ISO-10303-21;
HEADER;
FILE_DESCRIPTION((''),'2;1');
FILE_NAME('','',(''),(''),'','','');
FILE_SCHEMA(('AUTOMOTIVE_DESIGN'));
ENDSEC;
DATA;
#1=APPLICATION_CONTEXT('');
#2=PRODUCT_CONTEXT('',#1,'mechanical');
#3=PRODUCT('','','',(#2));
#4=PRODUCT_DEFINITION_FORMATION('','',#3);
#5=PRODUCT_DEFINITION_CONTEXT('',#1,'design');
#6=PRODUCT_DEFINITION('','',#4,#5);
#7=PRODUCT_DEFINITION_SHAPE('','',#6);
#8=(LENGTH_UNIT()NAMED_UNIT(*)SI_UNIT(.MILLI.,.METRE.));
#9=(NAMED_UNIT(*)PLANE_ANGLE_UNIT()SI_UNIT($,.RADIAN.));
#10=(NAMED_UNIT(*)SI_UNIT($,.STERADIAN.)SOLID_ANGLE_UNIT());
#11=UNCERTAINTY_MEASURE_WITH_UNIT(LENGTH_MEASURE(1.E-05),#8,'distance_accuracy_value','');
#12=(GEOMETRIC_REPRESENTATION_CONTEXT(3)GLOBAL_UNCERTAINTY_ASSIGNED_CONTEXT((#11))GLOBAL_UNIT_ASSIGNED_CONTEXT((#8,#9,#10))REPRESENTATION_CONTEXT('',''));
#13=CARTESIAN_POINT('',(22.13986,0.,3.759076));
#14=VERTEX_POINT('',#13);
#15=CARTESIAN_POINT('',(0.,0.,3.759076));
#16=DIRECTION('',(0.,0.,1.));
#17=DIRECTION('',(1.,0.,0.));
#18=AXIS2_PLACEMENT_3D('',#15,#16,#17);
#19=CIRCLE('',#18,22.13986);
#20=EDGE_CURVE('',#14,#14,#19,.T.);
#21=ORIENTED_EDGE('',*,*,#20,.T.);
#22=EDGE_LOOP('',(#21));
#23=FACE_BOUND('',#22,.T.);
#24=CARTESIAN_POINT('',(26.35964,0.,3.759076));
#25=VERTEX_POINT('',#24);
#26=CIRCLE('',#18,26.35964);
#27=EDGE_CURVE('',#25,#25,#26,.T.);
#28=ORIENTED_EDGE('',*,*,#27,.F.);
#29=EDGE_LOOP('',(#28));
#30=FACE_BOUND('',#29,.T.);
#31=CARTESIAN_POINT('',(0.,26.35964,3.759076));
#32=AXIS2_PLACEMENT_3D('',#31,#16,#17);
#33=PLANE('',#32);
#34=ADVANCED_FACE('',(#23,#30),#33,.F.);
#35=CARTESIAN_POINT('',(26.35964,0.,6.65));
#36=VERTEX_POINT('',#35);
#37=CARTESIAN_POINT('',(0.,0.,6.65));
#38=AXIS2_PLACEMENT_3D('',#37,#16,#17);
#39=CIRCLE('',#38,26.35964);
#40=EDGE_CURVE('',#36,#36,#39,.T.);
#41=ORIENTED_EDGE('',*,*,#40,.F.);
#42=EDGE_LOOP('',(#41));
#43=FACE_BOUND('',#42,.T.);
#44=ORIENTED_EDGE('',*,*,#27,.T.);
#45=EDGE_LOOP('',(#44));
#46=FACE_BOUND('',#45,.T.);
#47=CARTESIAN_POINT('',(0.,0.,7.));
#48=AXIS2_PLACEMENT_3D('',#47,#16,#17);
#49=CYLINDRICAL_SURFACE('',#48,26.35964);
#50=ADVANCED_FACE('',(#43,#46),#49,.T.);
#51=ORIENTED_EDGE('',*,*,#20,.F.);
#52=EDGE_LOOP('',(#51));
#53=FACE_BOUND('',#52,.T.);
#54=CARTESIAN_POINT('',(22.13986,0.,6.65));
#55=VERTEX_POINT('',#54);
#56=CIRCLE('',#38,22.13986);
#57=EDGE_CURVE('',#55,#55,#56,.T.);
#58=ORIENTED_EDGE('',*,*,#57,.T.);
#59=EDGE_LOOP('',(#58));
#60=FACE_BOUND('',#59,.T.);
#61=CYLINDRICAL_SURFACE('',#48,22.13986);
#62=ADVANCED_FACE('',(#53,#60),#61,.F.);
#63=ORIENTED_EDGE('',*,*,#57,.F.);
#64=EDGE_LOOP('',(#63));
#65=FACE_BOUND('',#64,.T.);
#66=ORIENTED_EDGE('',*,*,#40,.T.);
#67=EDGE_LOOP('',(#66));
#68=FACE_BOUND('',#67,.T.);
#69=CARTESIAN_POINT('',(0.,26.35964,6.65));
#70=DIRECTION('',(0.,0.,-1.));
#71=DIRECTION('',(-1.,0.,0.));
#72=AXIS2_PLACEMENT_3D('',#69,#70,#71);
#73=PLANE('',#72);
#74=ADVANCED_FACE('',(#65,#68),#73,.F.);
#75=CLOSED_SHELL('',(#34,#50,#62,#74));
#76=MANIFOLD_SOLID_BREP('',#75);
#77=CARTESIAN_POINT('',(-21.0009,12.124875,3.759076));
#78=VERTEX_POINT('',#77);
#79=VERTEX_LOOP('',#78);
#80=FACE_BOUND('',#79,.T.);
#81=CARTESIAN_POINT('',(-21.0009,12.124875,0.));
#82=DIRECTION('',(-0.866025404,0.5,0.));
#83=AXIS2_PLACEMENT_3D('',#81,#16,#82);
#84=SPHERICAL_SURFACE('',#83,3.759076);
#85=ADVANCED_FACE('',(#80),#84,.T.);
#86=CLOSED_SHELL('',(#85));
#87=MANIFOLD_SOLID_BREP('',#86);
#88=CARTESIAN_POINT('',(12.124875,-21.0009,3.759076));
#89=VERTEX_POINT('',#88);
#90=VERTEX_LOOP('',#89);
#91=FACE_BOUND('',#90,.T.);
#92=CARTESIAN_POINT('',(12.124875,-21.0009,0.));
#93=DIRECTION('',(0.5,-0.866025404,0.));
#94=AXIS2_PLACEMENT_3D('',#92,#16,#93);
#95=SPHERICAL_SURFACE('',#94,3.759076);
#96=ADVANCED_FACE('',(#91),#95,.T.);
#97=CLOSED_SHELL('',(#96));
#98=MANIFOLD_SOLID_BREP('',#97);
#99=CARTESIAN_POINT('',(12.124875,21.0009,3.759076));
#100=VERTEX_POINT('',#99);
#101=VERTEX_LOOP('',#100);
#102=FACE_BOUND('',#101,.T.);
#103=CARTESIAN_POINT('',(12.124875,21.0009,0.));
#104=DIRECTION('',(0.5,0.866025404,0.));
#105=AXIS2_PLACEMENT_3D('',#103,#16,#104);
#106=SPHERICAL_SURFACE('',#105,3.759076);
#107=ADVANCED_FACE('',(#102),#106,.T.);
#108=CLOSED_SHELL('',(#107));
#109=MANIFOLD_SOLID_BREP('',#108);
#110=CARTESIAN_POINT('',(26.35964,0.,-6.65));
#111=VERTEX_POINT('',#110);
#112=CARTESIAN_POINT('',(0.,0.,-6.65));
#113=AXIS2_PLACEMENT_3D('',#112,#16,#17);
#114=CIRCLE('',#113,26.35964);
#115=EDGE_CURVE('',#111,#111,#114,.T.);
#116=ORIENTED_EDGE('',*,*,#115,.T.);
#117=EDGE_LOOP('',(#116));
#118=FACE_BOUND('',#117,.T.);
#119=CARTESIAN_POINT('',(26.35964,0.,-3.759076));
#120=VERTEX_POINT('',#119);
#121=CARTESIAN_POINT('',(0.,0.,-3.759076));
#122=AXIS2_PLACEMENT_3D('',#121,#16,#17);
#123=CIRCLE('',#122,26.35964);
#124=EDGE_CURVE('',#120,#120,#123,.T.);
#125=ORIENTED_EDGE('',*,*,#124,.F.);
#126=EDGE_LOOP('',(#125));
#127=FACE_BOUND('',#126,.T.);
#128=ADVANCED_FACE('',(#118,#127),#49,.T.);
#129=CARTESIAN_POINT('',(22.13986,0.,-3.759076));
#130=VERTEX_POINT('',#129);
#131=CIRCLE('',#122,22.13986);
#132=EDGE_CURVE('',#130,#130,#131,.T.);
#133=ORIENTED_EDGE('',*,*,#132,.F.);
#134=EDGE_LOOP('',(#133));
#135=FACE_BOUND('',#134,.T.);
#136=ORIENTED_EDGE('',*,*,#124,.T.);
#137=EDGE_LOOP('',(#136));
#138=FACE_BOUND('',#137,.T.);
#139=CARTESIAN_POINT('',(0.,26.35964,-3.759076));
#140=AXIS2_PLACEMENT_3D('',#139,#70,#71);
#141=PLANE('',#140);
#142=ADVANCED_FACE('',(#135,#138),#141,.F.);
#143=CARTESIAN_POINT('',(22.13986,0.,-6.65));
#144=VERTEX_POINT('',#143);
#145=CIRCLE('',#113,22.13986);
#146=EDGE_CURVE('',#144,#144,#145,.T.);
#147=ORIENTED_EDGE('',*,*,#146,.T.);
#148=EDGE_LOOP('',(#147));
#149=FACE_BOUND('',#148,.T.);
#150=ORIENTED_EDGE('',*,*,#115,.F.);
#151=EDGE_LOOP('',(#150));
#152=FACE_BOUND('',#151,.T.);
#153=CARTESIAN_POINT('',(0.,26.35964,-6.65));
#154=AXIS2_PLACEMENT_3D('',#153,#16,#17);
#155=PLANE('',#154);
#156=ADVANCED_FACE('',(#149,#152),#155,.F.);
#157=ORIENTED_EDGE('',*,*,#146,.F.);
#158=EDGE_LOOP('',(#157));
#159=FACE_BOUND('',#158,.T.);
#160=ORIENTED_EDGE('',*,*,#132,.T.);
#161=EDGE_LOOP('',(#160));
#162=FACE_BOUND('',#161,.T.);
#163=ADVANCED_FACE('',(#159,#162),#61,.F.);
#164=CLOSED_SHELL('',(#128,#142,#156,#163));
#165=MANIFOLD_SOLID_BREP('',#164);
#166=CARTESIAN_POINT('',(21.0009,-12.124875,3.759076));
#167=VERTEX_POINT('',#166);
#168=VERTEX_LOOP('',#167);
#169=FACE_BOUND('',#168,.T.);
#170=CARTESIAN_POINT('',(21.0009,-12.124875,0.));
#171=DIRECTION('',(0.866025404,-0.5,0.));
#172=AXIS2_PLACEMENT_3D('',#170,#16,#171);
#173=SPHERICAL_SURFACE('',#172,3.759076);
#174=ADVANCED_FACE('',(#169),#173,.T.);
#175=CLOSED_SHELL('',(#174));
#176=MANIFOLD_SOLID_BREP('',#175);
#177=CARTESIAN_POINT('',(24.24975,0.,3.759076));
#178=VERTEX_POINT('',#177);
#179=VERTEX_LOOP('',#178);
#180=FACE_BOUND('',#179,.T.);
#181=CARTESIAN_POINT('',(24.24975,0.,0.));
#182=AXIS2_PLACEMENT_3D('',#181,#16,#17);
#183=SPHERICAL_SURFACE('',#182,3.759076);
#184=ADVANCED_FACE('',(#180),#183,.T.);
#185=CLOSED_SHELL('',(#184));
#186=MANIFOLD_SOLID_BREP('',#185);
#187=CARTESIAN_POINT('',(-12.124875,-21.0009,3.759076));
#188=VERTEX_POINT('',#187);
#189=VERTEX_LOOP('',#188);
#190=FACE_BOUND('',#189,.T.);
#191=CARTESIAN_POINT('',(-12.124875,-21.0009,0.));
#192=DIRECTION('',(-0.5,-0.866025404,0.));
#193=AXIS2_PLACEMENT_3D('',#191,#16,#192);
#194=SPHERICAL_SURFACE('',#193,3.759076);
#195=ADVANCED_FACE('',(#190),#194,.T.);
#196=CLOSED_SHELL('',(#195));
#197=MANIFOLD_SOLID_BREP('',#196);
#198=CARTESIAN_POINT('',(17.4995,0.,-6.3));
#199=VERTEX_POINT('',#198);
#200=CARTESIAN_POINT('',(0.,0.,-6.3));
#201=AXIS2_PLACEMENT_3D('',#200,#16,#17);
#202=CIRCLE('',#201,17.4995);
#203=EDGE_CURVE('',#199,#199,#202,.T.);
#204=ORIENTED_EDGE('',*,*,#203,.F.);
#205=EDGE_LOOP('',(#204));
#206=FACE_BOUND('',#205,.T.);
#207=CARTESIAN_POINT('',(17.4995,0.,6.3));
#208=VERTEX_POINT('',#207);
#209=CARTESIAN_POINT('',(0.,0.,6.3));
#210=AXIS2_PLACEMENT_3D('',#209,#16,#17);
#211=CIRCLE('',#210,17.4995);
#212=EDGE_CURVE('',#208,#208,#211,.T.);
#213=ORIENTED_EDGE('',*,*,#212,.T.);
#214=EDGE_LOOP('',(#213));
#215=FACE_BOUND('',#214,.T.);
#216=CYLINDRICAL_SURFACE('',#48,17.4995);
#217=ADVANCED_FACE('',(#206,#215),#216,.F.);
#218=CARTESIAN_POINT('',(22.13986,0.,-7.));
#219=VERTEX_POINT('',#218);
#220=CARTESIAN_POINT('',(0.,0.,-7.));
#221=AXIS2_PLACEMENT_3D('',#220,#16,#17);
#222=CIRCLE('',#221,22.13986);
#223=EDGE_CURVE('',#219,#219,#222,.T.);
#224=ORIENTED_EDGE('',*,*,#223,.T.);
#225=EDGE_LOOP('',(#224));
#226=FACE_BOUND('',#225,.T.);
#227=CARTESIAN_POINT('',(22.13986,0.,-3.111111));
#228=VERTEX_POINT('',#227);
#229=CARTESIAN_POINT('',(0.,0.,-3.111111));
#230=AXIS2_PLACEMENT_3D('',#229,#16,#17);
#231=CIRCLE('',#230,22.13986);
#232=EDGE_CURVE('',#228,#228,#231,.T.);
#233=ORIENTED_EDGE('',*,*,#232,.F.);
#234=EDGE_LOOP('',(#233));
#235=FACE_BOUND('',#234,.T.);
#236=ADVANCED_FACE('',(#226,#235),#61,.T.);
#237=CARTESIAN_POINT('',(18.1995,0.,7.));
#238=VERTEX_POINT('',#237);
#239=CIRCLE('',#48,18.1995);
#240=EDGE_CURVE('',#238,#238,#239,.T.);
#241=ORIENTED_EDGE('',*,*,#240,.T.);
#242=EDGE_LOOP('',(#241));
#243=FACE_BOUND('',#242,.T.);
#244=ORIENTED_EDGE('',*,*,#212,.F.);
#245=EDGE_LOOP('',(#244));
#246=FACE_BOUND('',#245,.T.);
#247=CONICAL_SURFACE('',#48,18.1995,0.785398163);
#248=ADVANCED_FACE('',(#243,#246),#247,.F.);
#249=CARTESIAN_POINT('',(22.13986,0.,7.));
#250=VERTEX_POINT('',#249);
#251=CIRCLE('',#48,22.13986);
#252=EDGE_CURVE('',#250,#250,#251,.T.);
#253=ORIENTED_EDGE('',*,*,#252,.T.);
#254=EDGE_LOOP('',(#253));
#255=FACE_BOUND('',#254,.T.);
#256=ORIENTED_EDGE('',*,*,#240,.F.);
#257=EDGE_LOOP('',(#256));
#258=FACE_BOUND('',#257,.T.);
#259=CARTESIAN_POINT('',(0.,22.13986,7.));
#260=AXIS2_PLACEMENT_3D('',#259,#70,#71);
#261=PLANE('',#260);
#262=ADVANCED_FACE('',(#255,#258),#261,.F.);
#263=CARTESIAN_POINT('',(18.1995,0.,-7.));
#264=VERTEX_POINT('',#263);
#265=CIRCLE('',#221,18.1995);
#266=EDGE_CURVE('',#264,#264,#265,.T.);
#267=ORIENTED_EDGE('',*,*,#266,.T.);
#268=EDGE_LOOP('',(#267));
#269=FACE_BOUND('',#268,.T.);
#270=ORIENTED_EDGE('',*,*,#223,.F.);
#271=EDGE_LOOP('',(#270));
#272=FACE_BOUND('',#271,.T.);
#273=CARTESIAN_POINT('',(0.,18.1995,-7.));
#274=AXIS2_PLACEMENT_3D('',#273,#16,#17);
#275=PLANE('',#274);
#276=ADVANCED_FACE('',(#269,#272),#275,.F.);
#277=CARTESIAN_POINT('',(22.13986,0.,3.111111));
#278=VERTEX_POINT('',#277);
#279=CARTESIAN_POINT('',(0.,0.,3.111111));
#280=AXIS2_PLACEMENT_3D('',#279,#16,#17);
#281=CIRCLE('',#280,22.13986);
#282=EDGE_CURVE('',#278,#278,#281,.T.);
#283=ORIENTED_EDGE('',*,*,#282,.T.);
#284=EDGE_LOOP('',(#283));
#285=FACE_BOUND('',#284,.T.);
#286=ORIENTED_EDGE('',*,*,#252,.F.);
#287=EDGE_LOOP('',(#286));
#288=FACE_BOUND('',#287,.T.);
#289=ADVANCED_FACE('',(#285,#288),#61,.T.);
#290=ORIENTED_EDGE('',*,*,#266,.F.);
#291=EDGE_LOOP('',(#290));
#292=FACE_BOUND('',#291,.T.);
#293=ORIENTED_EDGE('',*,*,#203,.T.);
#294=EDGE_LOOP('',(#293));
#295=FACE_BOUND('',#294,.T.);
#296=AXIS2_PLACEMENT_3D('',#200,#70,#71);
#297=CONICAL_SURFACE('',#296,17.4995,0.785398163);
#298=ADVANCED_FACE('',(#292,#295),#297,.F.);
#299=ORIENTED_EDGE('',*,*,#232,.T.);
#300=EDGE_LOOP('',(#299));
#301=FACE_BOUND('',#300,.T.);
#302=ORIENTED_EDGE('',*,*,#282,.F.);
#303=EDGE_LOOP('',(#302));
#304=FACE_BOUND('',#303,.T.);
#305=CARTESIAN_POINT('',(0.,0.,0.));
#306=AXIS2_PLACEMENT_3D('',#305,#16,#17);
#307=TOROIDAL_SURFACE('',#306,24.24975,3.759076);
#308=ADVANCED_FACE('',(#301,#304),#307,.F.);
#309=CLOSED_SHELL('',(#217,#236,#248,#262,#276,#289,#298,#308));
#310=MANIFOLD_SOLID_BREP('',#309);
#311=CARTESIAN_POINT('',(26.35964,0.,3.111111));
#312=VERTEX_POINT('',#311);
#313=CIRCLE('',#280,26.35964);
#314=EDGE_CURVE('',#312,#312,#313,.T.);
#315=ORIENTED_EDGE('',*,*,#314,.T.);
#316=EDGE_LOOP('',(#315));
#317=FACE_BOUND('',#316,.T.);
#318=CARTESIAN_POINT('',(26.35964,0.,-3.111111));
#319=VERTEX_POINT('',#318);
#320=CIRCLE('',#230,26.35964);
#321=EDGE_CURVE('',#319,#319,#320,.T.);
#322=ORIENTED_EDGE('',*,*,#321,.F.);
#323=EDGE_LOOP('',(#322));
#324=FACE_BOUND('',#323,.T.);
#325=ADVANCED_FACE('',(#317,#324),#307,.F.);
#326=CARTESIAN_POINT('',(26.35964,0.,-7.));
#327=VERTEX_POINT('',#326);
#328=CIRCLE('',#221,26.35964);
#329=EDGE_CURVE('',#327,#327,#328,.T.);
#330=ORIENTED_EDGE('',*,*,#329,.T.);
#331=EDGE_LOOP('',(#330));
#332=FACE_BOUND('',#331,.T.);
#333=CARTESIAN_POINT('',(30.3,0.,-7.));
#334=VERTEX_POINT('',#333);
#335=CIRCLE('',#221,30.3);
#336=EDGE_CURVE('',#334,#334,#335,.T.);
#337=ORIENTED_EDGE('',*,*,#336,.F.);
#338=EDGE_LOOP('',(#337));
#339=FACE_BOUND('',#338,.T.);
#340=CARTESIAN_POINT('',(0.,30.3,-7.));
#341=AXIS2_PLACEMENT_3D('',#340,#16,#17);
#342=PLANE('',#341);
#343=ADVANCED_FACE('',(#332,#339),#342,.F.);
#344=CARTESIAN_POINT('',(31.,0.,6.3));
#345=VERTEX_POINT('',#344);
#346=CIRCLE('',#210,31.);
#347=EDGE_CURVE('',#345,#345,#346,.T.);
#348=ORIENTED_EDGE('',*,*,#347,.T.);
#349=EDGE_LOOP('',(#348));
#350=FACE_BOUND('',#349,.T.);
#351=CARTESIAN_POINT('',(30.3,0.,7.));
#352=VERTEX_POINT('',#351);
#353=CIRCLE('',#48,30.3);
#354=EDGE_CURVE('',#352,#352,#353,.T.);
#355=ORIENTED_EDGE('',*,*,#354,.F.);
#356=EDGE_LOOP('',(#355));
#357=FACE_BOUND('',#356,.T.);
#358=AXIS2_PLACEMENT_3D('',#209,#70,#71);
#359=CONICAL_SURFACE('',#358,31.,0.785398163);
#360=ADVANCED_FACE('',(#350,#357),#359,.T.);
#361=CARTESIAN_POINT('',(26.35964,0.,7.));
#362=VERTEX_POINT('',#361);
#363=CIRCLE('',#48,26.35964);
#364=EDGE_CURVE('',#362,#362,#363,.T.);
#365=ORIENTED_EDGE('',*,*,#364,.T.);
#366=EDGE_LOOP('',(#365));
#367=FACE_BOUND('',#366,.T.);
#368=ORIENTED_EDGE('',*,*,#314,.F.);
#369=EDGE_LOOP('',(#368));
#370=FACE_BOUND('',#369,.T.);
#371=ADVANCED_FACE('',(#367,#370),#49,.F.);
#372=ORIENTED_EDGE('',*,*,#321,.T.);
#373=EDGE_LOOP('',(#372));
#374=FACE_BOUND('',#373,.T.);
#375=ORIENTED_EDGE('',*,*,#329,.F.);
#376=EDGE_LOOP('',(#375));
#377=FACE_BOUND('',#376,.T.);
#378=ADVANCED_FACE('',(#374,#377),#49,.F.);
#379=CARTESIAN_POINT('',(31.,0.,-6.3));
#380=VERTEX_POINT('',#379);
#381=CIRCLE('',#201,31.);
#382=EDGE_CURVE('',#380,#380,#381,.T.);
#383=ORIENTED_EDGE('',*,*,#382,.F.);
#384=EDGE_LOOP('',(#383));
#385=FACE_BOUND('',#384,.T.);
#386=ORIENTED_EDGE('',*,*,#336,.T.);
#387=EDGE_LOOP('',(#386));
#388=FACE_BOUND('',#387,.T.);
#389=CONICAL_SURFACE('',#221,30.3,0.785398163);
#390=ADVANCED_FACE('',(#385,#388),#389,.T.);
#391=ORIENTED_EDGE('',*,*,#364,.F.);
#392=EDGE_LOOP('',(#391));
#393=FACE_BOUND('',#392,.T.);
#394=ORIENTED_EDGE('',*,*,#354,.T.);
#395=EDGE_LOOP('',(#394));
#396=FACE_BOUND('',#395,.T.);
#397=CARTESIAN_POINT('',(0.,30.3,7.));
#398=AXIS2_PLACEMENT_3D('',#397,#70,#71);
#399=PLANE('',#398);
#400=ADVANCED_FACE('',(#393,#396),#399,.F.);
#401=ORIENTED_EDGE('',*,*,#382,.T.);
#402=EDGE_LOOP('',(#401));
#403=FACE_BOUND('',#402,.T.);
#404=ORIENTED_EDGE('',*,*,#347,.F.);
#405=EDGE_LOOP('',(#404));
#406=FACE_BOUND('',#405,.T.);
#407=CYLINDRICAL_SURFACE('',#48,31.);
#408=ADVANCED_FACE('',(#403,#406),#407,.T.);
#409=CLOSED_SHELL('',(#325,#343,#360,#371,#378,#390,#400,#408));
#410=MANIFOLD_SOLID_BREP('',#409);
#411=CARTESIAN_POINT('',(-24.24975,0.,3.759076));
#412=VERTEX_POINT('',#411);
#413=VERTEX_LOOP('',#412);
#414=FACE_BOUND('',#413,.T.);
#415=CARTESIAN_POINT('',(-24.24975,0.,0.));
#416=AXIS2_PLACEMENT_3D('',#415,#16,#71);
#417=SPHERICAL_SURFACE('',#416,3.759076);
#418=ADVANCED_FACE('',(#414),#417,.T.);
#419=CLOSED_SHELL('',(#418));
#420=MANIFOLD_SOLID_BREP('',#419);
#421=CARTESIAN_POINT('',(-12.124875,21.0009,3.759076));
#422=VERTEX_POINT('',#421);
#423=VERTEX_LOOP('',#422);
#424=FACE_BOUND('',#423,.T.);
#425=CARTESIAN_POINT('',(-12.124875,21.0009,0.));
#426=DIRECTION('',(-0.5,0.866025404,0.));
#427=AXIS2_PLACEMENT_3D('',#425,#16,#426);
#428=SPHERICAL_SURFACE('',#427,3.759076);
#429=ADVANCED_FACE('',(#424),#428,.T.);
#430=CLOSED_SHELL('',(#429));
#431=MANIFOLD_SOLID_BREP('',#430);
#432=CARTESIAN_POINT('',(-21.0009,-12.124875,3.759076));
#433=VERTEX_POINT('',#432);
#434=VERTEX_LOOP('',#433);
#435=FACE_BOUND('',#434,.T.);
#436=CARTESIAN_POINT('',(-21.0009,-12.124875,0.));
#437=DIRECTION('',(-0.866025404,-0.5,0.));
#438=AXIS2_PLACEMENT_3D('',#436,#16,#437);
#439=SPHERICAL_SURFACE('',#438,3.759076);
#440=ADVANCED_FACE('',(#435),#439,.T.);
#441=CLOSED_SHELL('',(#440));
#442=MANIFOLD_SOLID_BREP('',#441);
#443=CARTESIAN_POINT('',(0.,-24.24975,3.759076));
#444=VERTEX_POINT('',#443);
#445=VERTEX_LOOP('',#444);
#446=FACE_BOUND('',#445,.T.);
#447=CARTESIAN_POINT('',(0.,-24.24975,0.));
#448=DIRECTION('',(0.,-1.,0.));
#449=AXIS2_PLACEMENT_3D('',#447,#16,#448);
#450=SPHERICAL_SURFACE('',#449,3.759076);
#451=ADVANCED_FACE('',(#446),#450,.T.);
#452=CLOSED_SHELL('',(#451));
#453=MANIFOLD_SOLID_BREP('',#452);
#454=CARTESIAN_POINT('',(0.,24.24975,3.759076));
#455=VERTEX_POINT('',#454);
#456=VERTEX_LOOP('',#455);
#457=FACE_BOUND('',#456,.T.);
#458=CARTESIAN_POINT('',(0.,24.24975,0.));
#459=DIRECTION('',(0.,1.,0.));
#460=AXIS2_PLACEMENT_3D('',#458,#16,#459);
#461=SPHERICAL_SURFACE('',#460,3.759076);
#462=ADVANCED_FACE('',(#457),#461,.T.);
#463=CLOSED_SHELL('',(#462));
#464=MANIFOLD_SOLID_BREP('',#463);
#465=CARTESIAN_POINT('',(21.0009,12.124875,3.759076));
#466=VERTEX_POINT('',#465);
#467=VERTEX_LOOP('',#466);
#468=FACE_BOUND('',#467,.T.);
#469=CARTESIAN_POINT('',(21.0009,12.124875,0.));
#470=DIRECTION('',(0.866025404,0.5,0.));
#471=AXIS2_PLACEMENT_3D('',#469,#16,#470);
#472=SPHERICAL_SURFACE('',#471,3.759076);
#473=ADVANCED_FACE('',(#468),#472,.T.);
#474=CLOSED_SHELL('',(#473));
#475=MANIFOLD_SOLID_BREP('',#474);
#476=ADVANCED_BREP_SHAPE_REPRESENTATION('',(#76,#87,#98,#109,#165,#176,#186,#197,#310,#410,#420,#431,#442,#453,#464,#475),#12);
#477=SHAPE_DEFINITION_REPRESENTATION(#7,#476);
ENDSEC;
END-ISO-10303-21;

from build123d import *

# Parameters (mm, degrees)
CIRPATTERN1_COUNT = 12
SKETCH5_W         = 2.890924499
SKETCH5_H         = 4.21978022


with BuildPart() as part:
    # Sketch1 → Revolve1 (revolve)
    with BuildSketch(Plane(origin=(0, 0, 0), x_dir=(0, 0, -1), z_dir=(1, 0, 0))):
        with BuildLine():
            Line((6.3, 31), (-6.3, 31))
            Line((-6.3, 31), (-7, 30.3))
            Line((-7, 30.3), (-7, 26.35964011))
            Line((-7, 26.35964011), (-3.111111111, 26.35964011))
            ThreePointArc((-3.111111111, 26.35964011), (0, 28.008825501), (3.111111111, 26.35964011))
            Line((3.111111111, 26.35964011), (7, 26.35964011))
            Line((7, 26.35964011), (7, 30.3))
            Line((7, 30.3), (6.3, 31))
        make_face()
    revolve(axis=Axis((0, 0, 7), (0, 0, -1)))


with BuildPart() as body_2:
    # Sketch3 → Revolve3 (revolve)
    with BuildSketch(Plane(origin=(0, 0, 0), x_dir=(0, 0, -1), z_dir=(1, 0, 0))):
        with BuildLine():
            Line((-7, 22.13985989), (-3.111111111, 22.13985989))
            ThreePointArc((-3.111111111, 22.13985989), (0, 20.490674499), (3.111111111, 22.13985989))
            Line((3.111111111, 22.13985989), (7, 22.13985989))
            Line((7, 22.13985989), (7, 18.1995))
            Line((7, 18.1995), (6.3, 17.4995))
            Line((6.3, 17.4995), (-6.3, 17.4995))
            Line((-6.3, 17.4995), (-7, 18.1995))
            Line((-7, 18.1995), (-7, 22.13985989))
        make_face()
    revolve(axis=Axis((0, 0, 7), (0, 0, -1)))


with BuildPart() as body_3:
    # Sketch4 → Revolve4 (revolve)
    with BuildSketch(Plane(origin=(0, 0, 0), x_dir=(0, 0, -1), z_dir=(1, 0, 0))):
        with BuildLine():
            Line((-3.759075501, 24.24975), (3.759075501, 24.24975))
            ThreePointArc((3.759075501, 24.24975), (0, 28.008825501), (-3.759075501, 24.24975))
        make_face()
    revolve(axis=Axis((0, 24.24975, 3.759075501), (0, 0, -1)))


with BuildPart() as cirpattern1_1:
    # CirPattern1: pattern copy
    add(body_3.part.rotate(Axis((0, 0, -7), (0, 0, 1)), 1 * 360 / CIRPATTERN1_COUNT))


with BuildPart() as cirpattern1_2:
    # CirPattern1: pattern copy
    add(body_3.part.rotate(Axis((0, 0, -7), (0, 0, 1)), 2 * 360 / CIRPATTERN1_COUNT))


with BuildPart() as cirpattern1_3:
    # CirPattern1: pattern copy
    add(body_3.part.rotate(Axis((0, 0, -7), (0, 0, 1)), 3 * 360 / CIRPATTERN1_COUNT))


with BuildPart() as cirpattern1_4:
    # CirPattern1: pattern copy
    add(body_3.part.rotate(Axis((0, 0, -7), (0, 0, 1)), 4 * 360 / CIRPATTERN1_COUNT))


with BuildPart() as cirpattern1_5:
    # CirPattern1: pattern copy
    add(body_3.part.rotate(Axis((0, 0, -7), (0, 0, 1)), 5 * 360 / CIRPATTERN1_COUNT))


with BuildPart() as cirpattern1_6:
    # CirPattern1: pattern copy
    add(body_3.part.rotate(Axis((0, 0, -7), (0, 0, 1)), 6 * 360 / CIRPATTERN1_COUNT))


with BuildPart() as cirpattern1_7:
    # CirPattern1: pattern copy
    add(body_3.part.rotate(Axis((0, 0, -7), (0, 0, 1)), 7 * 360 / CIRPATTERN1_COUNT))


with BuildPart() as cirpattern1_8:
    # CirPattern1: pattern copy
    add(body_3.part.rotate(Axis((0, 0, -7), (0, 0, 1)), 8 * 360 / CIRPATTERN1_COUNT))


with BuildPart() as cirpattern1_9:
    # CirPattern1: pattern copy
    add(body_3.part.rotate(Axis((0, 0, -7), (0, 0, 1)), 9 * 360 / CIRPATTERN1_COUNT))


with BuildPart() as cirpattern1_10:
    # CirPattern1: pattern copy
    add(body_3.part.rotate(Axis((0, 0, -7), (0, 0, 1)), 10 * 360 / CIRPATTERN1_COUNT))


with BuildPart() as cirpattern1_11:
    # CirPattern1: pattern copy
    add(body_3.part.rotate(Axis((0, 0, -7), (0, 0, 1)), 11 * 360 / CIRPATTERN1_COUNT))


with BuildPart() as body_15:
    # Sketch5 → Revolve5 (revolve)
    with BuildSketch(Plane(origin=(0, 0, 0), x_dir=(0, 0, -1), z_dir=(1, 0, 0))):
        with Locations((-5.204537751, 24.24975)):
            Rectangle(SKETCH5_W, SKETCH5_H)
        with Locations((5.204537751, 24.24975)):
            Rectangle(SKETCH5_W, SKETCH5_H)
    revolve(axis=Axis((0, 0, 7), (0, 0, -1)))


solid = Compound([part.part, body_2.part, body_3.part, cirpattern1_1.part, cirpattern1_2.part, cirpattern1_3.part, cirpattern1_4.part, cirpattern1_5.part, cirpattern1_6.part, cirpattern1_7.part, cirpattern1_8.part, cirpattern1_9.part, cirpattern1_10.part, cirpattern1_11.part, body_15.part])
